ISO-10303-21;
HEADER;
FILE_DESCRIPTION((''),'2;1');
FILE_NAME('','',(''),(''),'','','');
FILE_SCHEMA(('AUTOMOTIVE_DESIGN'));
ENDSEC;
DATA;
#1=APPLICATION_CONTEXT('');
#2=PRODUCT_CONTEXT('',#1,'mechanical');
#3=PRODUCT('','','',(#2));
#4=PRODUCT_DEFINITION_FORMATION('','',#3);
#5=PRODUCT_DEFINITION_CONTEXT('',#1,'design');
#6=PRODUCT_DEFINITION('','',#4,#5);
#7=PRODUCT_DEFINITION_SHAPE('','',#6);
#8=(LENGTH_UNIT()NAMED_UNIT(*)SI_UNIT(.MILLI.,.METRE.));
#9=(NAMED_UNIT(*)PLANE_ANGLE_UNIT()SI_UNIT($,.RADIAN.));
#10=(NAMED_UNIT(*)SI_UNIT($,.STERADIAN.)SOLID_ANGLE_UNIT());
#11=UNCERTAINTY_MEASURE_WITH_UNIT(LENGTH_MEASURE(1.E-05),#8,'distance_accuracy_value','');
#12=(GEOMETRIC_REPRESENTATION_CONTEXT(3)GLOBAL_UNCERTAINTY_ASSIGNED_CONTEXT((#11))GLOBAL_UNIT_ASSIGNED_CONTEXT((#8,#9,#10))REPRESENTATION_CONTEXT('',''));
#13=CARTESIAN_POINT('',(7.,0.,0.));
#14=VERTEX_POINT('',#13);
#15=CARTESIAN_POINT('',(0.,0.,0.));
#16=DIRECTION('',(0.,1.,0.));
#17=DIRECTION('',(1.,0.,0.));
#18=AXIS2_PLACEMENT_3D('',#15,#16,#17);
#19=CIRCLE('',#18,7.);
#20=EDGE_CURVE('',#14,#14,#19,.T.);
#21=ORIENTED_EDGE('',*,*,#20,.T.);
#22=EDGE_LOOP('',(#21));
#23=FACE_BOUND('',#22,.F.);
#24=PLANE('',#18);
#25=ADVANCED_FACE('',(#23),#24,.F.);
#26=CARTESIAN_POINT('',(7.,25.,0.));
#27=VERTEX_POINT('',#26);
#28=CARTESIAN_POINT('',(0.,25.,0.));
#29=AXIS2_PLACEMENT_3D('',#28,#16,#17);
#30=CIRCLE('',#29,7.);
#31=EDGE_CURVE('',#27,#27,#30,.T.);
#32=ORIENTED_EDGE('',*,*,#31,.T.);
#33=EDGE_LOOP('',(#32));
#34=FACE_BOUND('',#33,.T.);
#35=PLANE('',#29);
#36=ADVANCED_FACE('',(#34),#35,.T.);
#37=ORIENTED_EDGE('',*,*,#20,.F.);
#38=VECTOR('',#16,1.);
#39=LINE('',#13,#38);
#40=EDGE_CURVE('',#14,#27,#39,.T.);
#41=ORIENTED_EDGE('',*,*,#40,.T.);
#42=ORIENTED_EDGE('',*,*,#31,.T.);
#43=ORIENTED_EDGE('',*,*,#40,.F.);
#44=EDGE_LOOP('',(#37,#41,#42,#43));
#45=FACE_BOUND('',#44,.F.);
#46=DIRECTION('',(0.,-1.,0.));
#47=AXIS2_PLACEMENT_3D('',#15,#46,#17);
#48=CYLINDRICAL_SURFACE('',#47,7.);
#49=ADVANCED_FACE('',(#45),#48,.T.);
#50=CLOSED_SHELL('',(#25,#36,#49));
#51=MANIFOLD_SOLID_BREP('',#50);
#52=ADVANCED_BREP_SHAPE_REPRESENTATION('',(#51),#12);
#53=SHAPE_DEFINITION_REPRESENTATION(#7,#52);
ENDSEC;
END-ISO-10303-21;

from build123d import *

# Parameters (mm, degrees)
SKETCH1_R           = 7
BOSS_EXTRUDE1_DEPTH = 25


with BuildPart() as part:
    # Sketch1 → Boss-Extrude1 (new body)
    with BuildSketch(Plane(origin=(0, 0, 0), x_dir=(1, 0, 0), z_dir=(0, 1, 0))):
        Circle(SKETCH1_R)
    extrude(amount=BOSS_EXTRUDE1_DEPTH)


solid = part.part
